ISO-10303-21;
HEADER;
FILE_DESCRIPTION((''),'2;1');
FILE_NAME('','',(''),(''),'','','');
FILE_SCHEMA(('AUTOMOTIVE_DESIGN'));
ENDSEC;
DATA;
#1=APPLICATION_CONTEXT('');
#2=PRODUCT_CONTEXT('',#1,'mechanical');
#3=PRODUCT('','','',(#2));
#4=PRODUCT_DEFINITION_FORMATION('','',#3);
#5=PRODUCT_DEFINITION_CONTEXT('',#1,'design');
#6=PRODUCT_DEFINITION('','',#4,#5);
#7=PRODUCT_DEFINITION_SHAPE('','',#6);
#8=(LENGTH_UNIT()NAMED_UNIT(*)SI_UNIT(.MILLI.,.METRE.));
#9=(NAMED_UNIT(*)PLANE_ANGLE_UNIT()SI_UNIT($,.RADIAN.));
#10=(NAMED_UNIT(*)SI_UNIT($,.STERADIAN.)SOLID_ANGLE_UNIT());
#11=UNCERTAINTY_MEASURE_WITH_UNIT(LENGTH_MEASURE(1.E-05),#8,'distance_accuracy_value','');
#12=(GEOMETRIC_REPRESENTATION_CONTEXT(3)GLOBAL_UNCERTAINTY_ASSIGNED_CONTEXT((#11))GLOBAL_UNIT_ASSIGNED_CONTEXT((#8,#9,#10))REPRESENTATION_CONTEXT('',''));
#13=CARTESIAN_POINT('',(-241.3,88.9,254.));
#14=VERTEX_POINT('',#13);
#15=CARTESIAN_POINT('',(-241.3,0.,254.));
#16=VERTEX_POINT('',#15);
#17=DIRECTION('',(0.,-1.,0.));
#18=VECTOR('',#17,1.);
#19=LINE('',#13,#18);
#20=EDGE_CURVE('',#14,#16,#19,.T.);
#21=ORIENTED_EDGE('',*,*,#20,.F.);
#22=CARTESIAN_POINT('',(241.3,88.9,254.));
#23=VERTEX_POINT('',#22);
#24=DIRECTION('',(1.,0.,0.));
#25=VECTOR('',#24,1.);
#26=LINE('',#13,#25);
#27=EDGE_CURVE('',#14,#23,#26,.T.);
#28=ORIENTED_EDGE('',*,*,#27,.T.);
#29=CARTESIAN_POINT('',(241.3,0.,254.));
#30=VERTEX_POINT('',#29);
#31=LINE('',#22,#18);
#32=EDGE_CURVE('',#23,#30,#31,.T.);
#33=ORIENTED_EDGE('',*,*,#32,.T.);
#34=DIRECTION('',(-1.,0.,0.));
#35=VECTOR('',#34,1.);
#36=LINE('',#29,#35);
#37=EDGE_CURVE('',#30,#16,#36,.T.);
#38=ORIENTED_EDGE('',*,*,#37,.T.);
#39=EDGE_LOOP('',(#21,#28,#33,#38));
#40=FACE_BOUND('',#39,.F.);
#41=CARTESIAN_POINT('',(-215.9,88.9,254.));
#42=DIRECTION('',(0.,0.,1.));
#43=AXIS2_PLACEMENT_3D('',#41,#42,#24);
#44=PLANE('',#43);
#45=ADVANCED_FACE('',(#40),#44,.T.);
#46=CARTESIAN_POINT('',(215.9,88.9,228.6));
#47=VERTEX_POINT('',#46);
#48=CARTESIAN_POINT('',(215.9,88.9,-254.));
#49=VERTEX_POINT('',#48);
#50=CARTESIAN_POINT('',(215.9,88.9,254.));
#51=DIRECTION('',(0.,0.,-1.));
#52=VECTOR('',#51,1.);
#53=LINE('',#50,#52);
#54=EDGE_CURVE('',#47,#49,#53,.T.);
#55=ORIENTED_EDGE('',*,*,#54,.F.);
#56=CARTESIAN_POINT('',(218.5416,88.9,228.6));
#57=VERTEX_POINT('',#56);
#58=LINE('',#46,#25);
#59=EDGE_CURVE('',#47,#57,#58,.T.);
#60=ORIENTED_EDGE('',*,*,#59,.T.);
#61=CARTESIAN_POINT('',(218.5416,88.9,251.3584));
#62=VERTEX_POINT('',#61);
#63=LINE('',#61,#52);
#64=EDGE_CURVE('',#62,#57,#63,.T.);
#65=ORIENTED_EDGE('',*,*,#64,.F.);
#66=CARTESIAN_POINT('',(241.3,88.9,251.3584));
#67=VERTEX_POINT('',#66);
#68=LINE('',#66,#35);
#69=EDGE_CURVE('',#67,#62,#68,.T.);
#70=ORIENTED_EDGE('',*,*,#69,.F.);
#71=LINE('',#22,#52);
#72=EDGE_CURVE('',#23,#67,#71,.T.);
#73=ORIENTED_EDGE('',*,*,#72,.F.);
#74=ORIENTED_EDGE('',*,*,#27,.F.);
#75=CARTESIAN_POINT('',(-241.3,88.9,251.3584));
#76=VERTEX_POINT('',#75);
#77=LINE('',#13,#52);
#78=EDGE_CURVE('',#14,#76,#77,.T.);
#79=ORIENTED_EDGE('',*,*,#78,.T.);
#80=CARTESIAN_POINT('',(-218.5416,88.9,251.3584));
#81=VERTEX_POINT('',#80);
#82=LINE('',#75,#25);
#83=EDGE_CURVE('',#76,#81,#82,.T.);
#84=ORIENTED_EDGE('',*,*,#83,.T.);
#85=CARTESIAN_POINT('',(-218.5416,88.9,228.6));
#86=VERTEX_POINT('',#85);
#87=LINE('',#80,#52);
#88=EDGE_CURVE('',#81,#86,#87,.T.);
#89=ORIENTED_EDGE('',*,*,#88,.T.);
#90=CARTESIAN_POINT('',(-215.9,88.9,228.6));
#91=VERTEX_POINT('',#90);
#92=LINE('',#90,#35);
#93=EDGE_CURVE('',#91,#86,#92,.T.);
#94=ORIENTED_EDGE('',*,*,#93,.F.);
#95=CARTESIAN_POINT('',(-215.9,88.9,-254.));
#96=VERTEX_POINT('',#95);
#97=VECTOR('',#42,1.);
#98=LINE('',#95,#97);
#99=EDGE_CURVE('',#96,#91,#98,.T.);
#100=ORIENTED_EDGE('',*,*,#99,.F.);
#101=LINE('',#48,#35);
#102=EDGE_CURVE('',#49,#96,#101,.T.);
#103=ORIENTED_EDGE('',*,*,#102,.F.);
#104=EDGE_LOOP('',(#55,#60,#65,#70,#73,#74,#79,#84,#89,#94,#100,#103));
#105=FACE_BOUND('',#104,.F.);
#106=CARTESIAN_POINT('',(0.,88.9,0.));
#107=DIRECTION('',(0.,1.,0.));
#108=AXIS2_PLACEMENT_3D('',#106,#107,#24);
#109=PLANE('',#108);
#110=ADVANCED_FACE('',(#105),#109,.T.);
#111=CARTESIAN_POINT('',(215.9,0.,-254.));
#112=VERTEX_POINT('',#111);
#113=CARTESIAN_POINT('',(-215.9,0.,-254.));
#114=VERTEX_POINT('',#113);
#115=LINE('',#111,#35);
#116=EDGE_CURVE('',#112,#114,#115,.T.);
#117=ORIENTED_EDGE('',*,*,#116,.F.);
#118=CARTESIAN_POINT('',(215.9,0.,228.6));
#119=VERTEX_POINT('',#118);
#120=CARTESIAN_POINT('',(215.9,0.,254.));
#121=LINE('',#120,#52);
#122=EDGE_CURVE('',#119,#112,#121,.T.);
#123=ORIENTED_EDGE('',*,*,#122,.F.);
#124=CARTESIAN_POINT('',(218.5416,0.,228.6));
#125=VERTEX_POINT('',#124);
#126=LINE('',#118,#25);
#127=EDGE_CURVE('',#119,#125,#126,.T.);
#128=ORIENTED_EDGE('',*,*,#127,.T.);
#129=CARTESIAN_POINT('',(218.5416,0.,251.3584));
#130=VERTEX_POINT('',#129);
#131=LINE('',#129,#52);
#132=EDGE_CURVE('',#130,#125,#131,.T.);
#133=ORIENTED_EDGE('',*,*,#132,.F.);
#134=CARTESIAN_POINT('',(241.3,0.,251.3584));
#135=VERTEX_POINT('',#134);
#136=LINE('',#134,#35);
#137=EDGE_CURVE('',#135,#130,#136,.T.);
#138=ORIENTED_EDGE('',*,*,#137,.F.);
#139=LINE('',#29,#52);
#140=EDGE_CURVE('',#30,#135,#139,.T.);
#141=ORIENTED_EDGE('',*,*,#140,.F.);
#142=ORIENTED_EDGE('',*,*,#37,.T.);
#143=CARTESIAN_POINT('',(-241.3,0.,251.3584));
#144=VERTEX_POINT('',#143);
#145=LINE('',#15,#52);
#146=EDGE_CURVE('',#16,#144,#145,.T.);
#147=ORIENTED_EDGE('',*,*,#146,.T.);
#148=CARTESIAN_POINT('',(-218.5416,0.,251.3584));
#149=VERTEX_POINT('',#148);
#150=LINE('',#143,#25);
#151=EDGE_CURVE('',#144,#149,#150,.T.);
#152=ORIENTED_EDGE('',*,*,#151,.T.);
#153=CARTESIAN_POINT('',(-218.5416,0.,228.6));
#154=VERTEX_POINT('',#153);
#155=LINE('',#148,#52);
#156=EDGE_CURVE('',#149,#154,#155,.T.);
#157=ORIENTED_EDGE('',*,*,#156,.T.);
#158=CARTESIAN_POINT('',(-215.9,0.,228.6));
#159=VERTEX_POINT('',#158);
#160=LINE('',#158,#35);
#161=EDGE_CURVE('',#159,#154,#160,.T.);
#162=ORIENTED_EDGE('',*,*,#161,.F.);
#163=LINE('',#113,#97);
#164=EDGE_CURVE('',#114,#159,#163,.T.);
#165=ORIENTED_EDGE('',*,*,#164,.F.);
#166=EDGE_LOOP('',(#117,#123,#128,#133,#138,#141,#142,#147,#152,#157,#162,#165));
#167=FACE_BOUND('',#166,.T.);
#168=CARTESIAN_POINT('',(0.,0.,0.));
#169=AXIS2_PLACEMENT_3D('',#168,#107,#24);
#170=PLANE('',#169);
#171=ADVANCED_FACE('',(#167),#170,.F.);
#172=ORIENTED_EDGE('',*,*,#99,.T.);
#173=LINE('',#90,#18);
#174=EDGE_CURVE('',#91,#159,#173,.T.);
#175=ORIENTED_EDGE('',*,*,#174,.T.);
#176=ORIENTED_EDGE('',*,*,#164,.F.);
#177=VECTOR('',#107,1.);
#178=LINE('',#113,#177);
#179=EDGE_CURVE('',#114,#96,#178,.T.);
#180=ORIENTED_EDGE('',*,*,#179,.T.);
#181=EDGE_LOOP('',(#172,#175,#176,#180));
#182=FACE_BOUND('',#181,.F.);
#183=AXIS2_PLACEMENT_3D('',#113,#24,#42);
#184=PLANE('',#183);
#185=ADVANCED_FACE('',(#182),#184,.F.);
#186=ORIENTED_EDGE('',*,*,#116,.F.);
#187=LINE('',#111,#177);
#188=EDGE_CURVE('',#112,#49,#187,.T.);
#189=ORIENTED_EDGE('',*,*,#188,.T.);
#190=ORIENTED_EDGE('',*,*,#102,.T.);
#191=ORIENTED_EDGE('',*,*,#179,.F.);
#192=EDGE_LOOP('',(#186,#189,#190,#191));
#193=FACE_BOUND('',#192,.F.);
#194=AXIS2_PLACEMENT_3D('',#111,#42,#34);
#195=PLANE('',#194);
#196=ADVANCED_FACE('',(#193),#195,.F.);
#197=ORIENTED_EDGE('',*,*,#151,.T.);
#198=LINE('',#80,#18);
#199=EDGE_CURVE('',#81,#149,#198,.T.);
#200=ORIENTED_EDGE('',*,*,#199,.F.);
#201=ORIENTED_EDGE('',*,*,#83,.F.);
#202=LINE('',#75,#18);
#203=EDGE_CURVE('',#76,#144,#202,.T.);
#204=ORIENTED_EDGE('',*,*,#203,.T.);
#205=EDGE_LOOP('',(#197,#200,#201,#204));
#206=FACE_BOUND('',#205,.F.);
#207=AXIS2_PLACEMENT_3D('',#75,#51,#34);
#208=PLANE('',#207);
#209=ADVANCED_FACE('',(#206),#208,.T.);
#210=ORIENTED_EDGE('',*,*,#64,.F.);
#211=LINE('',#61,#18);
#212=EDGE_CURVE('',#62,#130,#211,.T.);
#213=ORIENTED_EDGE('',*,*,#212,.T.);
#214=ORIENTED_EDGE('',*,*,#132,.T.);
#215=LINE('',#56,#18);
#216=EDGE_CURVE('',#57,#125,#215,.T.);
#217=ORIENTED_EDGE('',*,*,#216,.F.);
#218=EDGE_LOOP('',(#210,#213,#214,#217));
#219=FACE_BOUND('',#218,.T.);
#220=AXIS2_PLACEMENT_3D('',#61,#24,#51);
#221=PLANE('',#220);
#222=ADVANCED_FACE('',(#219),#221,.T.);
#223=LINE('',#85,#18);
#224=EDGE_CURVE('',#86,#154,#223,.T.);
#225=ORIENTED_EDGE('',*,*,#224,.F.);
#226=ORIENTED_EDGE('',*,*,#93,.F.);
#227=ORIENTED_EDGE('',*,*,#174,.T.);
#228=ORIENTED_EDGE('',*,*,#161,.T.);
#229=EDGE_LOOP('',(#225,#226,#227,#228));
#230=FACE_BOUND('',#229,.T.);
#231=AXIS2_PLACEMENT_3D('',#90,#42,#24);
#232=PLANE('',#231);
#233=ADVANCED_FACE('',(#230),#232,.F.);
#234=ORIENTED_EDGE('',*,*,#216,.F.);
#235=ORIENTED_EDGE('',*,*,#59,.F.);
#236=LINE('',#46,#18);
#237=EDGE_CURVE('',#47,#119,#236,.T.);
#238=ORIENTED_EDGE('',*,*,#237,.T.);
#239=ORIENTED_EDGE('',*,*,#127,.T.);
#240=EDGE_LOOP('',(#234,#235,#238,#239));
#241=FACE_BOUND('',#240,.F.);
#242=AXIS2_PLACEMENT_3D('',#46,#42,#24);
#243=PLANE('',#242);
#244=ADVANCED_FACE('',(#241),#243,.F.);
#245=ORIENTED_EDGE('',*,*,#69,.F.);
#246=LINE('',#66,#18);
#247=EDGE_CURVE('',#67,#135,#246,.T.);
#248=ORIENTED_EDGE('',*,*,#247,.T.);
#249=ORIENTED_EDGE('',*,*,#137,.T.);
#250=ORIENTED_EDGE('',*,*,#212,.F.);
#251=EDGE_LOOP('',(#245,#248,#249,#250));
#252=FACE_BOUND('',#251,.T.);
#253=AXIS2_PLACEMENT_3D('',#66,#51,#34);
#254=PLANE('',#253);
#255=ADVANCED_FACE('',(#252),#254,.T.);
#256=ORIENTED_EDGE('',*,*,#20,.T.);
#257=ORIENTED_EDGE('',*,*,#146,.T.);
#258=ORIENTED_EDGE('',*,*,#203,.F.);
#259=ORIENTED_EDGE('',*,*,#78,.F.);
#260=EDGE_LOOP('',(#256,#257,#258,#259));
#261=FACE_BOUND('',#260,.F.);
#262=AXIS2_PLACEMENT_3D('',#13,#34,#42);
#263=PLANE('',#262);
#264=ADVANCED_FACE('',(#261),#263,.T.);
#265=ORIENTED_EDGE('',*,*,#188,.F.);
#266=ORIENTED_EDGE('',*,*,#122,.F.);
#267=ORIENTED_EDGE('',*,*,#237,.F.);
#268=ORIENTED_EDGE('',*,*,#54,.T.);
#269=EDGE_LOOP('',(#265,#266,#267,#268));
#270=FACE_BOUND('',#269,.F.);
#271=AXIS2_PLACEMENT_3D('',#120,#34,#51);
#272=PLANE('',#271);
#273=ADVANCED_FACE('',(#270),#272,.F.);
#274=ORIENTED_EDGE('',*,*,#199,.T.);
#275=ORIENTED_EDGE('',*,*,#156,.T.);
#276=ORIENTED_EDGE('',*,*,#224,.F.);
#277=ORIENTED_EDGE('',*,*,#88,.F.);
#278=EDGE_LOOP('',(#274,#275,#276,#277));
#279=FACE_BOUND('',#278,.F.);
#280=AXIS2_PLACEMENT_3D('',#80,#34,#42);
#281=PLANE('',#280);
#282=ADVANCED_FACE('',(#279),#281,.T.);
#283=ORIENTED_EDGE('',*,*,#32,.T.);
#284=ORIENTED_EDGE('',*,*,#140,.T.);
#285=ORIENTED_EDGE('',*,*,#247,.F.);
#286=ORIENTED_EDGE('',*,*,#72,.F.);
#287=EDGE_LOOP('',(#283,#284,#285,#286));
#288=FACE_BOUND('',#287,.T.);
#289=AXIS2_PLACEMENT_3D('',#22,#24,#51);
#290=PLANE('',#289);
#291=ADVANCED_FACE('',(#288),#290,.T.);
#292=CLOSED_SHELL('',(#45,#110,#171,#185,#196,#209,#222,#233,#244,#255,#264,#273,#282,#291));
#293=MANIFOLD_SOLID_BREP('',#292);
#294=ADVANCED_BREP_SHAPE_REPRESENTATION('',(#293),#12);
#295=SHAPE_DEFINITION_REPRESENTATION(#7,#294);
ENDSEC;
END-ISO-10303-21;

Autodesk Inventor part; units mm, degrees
ref_plane "YZ Plane" through (0, 0, 0) normal (1, 0, 0) x (0, 1, 0)
ref_plane "XZ Plane" through (0, 0, 0) normal (0, 1, 0) x (-1, 0, 0)
ref_plane "XY Plane" through (0, 0, 0) normal (0, 0, 1) x (1, 0, 0)
sketch "Sketch2" plane through (0, 0, 0) normal (0, 1, 0) x (-1, 0, 0)
  line L0 (215.9, 254) -> (-215.9, 254)
  line L1 (-215.9, 254) -> (-215.9, -254)
  line L2 (-215.9, -254) -> (215.9, -254)
  line L3 (215.9, -254) -> (215.9, 254)
  line L4 (215.9, 254) -> (-215.9, -254) construction
  line L5 (-215.9, 254) -> (215.9, -254) construction
  point P0 (0, 0)
  point P1 (0, -254)
  dimension "d6" = 431.8
  dimension "d7" = 508
extrude "Extrusion3" add sketch "Sketch2" along normal blind 88.9
ref_plane "Work Plane3" through (0, 88.9, 254) normal (1, 0, 0) x (0, 1, 0)
sketch "Sketch4" plane through (0, 88.9, 0) normal (0, 1, 0) x (1, 0, 0)
  line L0 (-215.9, -254) -> (215.9, -254) projected
  line L1 (215.9, -228.6) -> (215.9, -254)
  line L2 (215.9, -254) -> (241.3, -254)
  line L3 (241.3, -251.3584) -> (218.5416, -251.3584)
  line L4 (218.5416, -251.3584) -> (218.5416, -228.6)
  line L5 (215.9, -228.6) -> (218.5416, -228.6)
  line L6 (215.9, -254) -> (215.9, 254) projected
  line L7 (241.3, -254) -> (241.3, -251.3584)
  point P0 (0, 0)
  dimension "d13" = 25.4
  dimension "d14" = 25.4
  dimension "d15" = 2.6416
extrude "Extrusion5" add sketch "Sketch4" against normal blind 88.9
mirror "Mirror1" about plane through (0, 88.9, 254) normal (1, 0, 0) of "Extrusion5"
equation "\"BendRadius\" = Thickness"
equation "\"BendReliefWidth\" = Thickness"
equation "\"BendReliefDepth\" = 0.5 * Thickness"
equation "\"CornerReliefSize\" = 4 * Thickness"
equation "\"MinimumRemnant\" = 2 * Thickness"
equation "\"TransitionRadius\" = BendRadius"
equation "\"JacobiRadiusSize\" = Thickness"
equation "\"GapSize\" = Thickness"
equation "\"Thickness\" = 3.048"
properties part number "acPower"
